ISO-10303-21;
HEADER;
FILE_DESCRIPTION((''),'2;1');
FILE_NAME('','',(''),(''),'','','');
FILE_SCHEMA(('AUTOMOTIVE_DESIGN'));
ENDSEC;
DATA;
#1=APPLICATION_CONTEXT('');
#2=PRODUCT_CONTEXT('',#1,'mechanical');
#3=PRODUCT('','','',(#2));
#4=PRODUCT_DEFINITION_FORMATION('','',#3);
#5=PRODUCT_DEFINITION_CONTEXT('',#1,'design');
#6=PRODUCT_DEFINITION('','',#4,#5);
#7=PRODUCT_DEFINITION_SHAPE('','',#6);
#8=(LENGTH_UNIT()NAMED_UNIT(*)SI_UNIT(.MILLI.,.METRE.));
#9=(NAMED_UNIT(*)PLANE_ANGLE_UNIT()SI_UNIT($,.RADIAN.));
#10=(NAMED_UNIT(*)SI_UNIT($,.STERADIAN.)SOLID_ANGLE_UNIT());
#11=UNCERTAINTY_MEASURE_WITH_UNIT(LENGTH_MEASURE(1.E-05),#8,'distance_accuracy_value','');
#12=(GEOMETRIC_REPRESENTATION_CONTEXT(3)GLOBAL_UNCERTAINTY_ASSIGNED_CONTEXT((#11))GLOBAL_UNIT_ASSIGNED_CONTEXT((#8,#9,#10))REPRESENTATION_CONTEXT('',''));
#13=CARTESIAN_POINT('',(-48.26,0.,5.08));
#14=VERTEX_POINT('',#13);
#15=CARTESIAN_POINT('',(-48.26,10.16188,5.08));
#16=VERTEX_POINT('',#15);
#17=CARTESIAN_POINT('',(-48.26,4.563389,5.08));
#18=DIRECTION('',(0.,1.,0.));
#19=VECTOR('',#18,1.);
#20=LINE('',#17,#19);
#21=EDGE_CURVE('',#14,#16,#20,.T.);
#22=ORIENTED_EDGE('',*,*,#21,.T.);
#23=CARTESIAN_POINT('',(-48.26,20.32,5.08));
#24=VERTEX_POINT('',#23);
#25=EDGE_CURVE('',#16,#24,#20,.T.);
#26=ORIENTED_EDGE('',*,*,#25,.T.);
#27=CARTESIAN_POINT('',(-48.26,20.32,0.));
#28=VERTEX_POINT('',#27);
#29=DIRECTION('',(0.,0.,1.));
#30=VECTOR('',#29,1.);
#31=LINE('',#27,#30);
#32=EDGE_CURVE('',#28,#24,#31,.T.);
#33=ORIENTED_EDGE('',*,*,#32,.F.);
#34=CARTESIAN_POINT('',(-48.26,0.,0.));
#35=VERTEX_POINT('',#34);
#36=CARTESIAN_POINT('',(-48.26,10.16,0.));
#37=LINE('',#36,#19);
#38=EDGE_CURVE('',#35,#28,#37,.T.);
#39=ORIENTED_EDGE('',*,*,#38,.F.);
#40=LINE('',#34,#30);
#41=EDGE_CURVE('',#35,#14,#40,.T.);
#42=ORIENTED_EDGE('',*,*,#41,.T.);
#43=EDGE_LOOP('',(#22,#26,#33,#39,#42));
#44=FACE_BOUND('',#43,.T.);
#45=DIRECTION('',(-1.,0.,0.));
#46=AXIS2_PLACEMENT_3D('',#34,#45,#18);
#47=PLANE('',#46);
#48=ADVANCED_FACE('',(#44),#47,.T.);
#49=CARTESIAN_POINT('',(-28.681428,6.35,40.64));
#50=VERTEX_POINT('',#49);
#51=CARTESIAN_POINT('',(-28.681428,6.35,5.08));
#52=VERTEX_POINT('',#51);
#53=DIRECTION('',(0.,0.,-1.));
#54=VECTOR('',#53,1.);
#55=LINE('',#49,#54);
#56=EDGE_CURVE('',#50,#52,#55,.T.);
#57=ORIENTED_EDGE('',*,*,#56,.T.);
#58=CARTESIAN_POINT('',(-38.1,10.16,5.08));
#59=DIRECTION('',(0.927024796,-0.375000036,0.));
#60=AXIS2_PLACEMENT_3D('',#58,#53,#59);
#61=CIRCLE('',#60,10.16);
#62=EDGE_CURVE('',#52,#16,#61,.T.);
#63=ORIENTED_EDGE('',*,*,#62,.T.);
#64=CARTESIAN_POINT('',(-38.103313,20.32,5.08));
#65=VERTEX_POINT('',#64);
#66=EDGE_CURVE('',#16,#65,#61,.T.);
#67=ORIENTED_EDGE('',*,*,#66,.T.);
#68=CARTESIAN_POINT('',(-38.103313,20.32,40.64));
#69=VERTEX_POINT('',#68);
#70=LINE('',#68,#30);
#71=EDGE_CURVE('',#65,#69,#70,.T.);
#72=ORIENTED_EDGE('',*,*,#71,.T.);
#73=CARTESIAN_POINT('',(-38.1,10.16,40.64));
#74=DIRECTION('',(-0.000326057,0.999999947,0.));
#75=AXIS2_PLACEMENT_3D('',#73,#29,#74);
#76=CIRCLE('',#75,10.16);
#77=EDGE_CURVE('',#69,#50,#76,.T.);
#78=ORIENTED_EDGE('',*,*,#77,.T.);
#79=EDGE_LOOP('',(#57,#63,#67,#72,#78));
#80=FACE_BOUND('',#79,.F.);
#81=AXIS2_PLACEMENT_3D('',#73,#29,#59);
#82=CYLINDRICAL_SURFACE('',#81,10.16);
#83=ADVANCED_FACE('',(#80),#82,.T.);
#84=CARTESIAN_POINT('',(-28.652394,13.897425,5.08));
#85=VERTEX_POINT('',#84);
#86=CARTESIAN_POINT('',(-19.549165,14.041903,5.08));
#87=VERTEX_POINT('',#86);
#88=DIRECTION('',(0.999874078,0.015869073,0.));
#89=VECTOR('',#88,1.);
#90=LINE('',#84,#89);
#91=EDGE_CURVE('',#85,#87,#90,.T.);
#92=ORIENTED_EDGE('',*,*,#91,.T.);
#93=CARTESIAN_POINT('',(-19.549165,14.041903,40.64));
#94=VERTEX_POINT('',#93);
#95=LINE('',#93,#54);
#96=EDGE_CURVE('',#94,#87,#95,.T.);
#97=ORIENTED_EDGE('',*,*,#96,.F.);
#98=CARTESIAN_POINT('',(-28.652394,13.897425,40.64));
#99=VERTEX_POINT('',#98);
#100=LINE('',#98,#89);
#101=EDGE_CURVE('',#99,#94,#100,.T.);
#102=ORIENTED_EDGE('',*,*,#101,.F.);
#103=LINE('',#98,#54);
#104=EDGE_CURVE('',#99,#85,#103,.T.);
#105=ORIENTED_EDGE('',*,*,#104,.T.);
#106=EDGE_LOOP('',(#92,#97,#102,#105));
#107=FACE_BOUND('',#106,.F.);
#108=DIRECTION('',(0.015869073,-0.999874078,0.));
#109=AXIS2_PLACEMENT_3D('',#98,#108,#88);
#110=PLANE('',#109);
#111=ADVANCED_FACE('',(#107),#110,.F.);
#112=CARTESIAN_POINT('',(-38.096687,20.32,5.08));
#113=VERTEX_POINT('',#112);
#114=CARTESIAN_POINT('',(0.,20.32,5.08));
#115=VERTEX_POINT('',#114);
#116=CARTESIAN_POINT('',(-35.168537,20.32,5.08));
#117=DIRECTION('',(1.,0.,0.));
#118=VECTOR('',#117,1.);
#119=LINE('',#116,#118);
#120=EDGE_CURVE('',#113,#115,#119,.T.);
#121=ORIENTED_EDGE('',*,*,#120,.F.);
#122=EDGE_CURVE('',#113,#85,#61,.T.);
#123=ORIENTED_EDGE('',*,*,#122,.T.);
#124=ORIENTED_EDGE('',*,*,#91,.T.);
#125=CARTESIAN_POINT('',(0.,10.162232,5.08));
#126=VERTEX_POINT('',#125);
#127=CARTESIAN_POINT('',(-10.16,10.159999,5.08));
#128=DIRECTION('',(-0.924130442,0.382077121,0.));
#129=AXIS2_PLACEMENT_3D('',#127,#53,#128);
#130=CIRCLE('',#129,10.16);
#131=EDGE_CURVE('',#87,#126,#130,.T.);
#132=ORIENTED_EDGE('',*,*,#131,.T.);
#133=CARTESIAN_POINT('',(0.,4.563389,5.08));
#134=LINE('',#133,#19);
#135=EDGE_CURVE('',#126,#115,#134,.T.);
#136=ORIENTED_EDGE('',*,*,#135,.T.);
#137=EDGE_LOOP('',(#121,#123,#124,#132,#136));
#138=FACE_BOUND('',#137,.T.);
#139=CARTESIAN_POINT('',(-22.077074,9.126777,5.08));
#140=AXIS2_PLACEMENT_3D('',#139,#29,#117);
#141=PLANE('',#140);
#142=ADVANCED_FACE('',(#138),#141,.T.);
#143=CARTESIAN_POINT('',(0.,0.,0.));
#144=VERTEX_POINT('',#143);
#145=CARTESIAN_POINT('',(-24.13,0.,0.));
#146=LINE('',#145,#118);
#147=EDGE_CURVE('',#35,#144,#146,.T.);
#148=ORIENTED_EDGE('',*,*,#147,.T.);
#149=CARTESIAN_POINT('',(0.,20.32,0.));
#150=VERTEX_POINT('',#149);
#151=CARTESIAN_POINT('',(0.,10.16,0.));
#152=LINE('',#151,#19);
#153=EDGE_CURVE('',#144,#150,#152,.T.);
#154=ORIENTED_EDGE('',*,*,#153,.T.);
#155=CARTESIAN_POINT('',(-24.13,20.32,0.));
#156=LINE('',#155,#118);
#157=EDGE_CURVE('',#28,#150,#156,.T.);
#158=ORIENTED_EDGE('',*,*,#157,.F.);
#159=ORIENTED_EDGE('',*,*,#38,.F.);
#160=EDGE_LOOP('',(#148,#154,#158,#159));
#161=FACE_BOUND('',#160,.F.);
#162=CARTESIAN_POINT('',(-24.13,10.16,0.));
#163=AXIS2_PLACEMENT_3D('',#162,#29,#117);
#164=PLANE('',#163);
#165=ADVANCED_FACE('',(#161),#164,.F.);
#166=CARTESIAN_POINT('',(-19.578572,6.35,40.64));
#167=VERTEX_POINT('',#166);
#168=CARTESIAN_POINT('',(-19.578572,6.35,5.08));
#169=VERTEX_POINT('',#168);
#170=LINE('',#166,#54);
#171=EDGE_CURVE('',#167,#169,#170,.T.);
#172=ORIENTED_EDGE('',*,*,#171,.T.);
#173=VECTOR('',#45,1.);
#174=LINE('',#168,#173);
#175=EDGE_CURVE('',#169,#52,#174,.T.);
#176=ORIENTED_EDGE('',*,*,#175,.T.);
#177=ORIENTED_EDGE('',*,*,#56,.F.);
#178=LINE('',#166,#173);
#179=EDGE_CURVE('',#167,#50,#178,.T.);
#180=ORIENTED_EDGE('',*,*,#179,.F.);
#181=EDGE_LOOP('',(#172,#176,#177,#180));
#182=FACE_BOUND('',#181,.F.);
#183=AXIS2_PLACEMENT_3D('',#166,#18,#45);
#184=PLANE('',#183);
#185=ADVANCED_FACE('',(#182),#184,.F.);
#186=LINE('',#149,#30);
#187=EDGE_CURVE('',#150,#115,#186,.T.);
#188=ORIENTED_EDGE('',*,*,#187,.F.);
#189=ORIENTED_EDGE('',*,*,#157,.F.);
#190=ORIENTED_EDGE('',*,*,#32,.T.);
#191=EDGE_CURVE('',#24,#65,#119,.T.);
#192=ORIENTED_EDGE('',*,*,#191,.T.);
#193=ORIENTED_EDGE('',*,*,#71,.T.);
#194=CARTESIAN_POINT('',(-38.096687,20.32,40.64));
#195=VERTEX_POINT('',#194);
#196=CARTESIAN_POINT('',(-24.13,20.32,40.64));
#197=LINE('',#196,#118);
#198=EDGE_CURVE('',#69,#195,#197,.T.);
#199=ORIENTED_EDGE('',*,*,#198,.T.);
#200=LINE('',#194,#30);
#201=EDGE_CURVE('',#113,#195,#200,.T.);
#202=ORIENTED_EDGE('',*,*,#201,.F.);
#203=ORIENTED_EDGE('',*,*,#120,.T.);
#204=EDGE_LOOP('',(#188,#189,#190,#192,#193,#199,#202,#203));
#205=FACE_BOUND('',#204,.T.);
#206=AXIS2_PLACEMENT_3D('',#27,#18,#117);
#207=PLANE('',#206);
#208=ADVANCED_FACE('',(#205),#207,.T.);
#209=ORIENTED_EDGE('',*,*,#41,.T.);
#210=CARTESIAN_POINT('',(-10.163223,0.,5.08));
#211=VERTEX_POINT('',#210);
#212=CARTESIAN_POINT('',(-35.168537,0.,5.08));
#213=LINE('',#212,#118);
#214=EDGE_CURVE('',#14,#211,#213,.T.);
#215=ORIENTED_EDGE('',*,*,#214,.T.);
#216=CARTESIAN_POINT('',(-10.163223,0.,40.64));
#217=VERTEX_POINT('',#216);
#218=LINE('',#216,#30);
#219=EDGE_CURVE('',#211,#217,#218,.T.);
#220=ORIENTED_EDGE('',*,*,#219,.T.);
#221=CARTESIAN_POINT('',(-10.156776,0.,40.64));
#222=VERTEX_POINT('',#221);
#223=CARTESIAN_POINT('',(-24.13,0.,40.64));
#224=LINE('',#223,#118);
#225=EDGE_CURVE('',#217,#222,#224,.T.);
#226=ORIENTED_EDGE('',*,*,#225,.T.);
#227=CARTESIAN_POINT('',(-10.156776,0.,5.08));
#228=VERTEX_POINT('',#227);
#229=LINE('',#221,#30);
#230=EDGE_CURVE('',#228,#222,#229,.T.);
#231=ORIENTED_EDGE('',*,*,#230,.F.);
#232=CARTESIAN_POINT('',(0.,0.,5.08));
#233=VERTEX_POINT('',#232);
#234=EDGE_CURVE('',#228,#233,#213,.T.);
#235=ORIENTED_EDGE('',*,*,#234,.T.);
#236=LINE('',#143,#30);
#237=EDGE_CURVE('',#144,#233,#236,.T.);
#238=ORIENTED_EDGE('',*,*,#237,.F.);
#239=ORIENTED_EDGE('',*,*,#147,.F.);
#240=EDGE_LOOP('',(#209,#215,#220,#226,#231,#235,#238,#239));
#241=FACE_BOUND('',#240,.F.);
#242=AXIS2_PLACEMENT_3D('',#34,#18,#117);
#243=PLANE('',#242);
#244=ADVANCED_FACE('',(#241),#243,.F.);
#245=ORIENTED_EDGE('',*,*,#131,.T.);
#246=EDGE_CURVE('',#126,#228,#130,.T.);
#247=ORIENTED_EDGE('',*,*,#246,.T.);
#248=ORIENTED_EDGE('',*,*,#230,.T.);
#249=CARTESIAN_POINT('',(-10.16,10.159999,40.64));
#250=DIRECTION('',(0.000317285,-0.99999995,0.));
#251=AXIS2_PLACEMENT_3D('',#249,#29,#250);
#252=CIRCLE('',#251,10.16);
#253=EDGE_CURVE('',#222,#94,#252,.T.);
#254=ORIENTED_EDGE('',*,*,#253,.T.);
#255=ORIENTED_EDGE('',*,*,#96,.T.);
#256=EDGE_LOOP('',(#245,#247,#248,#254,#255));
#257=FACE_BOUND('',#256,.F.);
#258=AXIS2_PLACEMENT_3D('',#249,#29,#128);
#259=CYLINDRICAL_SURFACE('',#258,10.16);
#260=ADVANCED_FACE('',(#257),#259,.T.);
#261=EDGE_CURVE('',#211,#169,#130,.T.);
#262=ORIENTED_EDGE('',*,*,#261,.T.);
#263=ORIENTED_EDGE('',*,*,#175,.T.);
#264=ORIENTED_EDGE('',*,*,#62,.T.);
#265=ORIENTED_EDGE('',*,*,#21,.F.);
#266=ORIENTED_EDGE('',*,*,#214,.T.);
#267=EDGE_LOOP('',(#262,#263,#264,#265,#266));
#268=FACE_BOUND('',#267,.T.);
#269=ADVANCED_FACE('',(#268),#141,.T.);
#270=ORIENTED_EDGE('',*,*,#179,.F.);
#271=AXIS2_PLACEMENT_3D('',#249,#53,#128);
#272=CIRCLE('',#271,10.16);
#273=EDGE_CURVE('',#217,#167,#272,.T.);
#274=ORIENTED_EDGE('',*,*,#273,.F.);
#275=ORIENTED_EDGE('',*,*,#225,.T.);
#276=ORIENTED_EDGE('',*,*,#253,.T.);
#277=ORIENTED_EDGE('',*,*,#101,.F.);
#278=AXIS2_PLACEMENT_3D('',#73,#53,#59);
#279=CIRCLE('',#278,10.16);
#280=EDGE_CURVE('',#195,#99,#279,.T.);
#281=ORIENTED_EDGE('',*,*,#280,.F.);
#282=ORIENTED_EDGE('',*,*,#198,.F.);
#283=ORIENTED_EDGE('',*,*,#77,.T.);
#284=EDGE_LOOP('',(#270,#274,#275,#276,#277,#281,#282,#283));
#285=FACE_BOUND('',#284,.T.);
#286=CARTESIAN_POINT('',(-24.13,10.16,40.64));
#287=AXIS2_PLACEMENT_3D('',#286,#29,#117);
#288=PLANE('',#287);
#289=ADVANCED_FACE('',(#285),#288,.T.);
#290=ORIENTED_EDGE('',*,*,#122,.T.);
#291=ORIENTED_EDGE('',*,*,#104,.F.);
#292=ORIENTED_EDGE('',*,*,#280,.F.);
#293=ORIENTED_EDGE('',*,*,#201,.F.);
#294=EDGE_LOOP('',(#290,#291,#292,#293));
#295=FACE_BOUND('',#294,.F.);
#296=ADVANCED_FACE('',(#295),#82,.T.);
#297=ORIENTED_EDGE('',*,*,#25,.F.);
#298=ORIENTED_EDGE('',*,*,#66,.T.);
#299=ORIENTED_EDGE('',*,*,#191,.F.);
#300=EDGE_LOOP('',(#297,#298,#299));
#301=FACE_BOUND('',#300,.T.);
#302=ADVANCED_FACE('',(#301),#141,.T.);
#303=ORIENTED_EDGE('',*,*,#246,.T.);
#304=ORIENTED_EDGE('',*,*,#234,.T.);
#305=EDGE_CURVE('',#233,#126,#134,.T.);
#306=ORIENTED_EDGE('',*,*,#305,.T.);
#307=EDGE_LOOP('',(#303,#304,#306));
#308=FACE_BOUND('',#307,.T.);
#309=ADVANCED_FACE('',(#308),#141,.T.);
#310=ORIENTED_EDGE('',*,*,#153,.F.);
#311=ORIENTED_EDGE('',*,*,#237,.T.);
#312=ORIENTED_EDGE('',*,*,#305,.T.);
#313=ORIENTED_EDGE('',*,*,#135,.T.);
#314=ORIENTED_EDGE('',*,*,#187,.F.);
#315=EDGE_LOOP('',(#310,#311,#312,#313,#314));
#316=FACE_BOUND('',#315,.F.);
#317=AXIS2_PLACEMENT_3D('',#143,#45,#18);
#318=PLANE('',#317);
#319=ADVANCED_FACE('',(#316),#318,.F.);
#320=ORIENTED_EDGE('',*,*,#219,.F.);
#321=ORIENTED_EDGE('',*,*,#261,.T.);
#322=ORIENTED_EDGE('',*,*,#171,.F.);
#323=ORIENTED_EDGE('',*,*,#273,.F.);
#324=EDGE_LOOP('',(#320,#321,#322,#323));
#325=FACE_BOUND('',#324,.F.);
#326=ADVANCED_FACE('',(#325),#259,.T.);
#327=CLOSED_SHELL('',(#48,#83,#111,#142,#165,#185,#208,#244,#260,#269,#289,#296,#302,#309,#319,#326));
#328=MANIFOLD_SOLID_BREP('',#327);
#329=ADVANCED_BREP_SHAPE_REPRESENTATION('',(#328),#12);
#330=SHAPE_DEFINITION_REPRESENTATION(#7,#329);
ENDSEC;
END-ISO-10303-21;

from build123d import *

# Parameters (mm, degrees)
F0_W     = 48.26
F0_H     = 20.32
F1_DEPTH = 40.64
F2_W     = 87.867445
F2_H     = 38.751542
F3_DEPTH = 35.56


with BuildPart() as f1:
    # F0 (on Top) → F1 (new body)
    with BuildSketch(Plane.XY):
        with Locations((-24.13, 10.16)):
            Rectangle(F0_W, F0_H)
    extrude(amount=F1_DEPTH)

    # F2 (on face) → F3 (cut)
    with BuildSketch(Plane.XY.offset(40.64)):
        with Locations((-22.077074, 9.126777)):
            Rectangle(F2_W, F2_H)
        with BuildLine():
            ThreePointArc((-28.681428, 6.35), (-48.259925, 10.199084), (-28.652394, 13.897425))
            Line((-28.652394, 13.897425), (-19.549165, 14.041903))
            ThreePointArc((-19.549165, 14.041903), (-7.4e-05, 10.121158), (-19.578572, 6.35))
            Line((-19.578572, 6.35), (-28.681428, 6.35))
        make_face(mode=Mode.SUBTRACT)
    extrude(amount=-F3_DEPTH, mode=Mode.SUBTRACT)


solid = f1.part
